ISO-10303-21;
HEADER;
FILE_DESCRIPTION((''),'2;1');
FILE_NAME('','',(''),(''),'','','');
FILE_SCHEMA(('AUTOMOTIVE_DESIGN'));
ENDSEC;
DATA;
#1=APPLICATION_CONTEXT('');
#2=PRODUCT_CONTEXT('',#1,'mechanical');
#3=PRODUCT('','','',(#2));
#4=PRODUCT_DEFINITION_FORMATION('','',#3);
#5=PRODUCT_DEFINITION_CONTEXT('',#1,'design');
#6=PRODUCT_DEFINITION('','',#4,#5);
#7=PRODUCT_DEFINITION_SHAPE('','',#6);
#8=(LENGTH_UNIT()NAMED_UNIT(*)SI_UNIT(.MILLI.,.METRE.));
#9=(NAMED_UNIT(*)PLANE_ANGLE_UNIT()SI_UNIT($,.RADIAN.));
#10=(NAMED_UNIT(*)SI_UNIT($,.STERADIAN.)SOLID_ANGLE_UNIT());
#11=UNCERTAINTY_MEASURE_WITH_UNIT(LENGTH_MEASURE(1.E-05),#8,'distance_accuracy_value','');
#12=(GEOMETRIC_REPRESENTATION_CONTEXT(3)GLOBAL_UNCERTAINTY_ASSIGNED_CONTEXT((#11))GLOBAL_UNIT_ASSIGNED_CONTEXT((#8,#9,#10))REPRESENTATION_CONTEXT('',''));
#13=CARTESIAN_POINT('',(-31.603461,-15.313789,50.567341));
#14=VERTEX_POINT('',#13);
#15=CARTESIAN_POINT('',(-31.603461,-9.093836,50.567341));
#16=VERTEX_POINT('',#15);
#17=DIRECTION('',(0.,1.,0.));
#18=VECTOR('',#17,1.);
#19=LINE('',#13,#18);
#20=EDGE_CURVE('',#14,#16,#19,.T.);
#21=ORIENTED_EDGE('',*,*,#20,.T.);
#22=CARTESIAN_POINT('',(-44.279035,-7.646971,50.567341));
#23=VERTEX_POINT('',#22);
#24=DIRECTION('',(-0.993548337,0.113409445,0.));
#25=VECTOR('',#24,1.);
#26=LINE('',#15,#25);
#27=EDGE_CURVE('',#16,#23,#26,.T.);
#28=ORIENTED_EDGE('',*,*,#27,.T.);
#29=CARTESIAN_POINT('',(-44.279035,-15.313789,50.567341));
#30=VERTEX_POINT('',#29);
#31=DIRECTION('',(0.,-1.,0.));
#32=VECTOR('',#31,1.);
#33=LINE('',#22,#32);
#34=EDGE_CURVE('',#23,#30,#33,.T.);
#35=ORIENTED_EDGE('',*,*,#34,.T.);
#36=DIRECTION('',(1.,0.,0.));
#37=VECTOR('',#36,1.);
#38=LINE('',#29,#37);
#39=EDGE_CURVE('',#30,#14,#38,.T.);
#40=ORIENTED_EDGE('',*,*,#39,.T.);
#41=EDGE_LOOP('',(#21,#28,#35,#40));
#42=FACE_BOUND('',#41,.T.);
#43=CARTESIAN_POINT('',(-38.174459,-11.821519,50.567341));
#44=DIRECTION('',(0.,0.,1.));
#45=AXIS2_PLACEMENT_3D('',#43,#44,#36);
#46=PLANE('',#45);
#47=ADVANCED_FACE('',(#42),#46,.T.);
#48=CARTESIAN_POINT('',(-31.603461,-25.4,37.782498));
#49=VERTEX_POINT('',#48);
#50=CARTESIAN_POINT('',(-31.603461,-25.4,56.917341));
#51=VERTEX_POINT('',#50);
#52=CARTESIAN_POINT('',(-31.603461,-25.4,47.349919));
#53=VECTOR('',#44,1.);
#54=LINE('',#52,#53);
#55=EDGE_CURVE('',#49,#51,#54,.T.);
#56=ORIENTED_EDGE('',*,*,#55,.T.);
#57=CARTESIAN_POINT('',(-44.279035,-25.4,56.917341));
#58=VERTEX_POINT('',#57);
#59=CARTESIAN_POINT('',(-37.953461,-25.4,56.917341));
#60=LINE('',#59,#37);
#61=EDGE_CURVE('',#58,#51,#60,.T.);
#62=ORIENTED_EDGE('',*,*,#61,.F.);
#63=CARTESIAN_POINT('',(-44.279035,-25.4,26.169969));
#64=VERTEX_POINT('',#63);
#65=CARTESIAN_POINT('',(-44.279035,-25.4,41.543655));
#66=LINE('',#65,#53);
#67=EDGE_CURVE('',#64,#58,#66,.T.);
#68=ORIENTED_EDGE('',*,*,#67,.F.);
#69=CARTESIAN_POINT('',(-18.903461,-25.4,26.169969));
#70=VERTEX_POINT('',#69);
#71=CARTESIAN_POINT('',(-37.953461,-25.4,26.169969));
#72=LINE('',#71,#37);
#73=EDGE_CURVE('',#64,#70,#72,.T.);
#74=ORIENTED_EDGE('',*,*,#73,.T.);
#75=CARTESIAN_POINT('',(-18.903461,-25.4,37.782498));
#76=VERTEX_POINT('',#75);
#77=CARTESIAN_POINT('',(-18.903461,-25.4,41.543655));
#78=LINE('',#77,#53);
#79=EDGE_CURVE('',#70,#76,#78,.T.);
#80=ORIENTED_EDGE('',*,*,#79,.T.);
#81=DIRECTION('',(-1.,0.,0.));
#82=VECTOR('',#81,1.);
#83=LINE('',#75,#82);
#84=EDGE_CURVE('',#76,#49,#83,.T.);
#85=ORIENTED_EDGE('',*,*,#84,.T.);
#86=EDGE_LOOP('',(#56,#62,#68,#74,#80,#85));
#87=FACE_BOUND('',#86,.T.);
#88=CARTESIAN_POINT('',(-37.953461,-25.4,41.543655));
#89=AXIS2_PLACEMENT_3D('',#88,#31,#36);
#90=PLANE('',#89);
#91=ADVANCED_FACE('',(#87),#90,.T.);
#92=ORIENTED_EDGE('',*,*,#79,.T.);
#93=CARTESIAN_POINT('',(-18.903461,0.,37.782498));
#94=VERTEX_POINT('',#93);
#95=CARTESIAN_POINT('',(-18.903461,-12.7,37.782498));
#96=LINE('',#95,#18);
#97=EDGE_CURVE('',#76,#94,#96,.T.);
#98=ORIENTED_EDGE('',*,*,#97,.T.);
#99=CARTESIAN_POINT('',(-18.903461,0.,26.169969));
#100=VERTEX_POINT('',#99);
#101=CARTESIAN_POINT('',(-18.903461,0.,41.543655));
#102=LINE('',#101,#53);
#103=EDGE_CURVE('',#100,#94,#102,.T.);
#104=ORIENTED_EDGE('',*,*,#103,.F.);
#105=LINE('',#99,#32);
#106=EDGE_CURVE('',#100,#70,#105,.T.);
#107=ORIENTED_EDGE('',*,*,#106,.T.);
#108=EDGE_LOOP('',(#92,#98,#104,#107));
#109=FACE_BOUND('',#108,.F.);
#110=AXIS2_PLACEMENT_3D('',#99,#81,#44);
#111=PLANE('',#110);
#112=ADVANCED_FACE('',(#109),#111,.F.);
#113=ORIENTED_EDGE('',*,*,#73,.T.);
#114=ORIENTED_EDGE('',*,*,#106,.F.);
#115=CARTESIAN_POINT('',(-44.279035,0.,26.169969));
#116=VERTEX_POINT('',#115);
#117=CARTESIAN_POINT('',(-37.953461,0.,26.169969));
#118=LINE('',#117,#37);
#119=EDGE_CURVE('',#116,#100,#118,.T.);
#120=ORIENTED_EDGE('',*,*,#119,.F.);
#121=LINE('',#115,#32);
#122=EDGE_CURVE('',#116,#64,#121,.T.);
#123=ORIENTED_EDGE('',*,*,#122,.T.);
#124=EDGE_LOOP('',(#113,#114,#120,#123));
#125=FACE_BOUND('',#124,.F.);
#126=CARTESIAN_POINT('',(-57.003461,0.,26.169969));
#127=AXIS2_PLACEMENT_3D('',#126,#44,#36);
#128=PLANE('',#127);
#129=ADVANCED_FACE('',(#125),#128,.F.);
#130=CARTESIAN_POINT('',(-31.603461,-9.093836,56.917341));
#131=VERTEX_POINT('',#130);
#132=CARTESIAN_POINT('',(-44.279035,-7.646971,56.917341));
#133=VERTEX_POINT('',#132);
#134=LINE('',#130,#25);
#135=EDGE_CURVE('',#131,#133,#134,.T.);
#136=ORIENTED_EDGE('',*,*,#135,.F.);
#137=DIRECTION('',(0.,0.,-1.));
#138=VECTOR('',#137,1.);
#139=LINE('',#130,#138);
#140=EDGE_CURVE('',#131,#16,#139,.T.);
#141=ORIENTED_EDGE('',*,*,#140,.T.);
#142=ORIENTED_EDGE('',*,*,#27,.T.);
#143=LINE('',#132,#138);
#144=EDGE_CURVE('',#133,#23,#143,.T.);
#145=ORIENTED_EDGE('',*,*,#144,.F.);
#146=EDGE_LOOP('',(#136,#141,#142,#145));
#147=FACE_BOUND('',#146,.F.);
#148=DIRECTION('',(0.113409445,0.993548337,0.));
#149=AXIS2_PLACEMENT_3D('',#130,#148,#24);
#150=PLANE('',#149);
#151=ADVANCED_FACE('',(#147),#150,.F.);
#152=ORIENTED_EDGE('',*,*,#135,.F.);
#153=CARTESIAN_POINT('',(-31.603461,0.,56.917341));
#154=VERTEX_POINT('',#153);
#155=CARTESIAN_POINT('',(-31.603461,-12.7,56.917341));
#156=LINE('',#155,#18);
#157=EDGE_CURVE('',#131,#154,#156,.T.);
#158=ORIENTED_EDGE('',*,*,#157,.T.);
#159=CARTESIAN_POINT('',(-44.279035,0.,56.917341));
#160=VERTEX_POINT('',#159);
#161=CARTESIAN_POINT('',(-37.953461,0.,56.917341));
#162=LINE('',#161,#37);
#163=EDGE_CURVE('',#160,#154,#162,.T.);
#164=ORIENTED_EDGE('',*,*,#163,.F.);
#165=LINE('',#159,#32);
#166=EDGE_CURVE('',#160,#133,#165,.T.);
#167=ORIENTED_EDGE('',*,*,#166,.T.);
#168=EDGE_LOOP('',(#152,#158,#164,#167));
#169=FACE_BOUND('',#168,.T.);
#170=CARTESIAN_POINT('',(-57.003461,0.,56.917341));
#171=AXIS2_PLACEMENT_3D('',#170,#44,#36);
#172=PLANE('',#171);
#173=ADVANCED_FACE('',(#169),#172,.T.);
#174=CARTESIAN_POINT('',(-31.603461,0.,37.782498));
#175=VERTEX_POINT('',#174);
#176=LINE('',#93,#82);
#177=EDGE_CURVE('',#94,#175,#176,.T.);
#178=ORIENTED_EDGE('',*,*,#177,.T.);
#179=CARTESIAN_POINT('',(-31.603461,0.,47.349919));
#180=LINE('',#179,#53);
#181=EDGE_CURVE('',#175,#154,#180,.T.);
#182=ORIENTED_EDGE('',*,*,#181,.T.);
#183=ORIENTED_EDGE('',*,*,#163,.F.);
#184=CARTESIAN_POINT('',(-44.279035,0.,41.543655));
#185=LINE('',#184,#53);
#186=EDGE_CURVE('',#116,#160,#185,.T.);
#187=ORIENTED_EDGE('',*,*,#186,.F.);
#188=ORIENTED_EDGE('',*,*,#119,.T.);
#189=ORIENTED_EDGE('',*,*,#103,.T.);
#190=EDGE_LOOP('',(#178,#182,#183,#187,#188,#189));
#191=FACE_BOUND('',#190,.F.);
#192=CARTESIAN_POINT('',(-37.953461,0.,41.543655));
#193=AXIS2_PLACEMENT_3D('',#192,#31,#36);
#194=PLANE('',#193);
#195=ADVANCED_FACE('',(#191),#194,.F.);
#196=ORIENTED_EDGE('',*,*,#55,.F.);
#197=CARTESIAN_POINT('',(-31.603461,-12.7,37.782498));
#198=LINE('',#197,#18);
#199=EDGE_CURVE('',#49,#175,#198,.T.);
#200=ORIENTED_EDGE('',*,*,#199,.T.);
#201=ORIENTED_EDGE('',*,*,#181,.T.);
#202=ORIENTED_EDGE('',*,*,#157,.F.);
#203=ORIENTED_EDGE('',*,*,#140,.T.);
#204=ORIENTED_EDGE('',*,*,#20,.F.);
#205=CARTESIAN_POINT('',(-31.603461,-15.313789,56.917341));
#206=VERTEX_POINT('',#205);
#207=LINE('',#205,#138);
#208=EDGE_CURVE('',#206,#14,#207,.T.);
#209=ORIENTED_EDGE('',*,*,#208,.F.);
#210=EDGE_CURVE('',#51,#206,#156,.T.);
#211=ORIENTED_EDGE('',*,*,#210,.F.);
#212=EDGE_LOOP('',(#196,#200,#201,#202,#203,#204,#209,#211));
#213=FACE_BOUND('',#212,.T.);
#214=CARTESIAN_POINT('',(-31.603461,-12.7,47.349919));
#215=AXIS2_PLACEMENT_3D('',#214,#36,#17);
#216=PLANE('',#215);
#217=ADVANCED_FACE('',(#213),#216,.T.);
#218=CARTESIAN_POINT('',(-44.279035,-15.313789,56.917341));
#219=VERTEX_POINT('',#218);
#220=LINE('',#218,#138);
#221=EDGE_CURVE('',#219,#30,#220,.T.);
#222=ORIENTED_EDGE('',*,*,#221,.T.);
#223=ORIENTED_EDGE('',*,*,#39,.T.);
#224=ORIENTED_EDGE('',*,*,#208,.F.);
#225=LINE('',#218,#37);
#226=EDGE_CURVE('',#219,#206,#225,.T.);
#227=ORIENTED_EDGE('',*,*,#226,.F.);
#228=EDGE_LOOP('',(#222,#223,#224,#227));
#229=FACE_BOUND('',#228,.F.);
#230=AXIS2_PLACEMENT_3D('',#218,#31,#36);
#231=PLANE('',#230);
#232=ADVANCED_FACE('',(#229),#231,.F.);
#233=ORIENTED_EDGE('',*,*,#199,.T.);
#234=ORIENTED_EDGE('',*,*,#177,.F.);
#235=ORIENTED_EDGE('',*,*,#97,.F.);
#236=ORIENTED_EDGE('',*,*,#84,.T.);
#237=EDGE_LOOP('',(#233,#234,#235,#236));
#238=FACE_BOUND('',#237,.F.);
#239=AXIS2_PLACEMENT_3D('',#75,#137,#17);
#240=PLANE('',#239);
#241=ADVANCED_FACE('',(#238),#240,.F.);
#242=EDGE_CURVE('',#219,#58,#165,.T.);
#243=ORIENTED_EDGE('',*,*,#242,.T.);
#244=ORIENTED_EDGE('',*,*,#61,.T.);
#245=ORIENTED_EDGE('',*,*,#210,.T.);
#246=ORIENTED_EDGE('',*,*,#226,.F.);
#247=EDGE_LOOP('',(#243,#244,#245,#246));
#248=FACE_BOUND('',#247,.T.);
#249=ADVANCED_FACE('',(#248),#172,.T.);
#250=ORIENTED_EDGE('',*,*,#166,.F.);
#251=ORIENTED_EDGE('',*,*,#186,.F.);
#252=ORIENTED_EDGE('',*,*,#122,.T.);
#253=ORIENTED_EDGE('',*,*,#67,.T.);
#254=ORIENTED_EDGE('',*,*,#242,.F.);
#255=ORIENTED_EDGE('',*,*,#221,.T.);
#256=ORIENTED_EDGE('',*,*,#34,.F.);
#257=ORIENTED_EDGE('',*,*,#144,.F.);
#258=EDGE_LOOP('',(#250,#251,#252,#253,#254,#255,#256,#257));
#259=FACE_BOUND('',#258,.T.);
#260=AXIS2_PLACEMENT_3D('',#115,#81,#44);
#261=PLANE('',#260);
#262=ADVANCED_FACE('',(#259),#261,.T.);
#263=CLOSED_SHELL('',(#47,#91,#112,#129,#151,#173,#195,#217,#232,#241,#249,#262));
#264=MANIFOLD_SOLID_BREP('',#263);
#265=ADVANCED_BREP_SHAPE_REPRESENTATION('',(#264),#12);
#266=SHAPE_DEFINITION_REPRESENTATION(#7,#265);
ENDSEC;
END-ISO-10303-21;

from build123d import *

# Parameters (mm, degrees)
F0_W     = 38.1
F0_H     = 30.7473719984
F1_DEPTH = 25.4
F2_W     = 25.4
F2_H     = 19.1348433927
F3_DEPTH = 12.7
F4_W     = 12.7244254082
F4_H     = 30.7473719984
F5_DEPTH = 25.4
F7_DEPTH = 6.35


with BuildPart() as f1:
    # F0 (on Front) → F1 (new body)
    with BuildSketch(Plane.XZ):
        with Locations((-37.9534605891, 41.5436550975)):
            Rectangle(F0_W, F0_H)
    extrude(amount=F1_DEPTH)

    # F2 (on face) → F3 (cut)
    with BuildSketch(Plane.YZ.offset(-18.9034605891)):
        with Locations((-12.7, 47.3499194004)):
            Rectangle(F2_W, F2_H)
    extrude(amount=-F3_DEPTH, mode=Mode.SUBTRACT)

    # F4 (on face) → F5 (cut)
    with BuildSketch(Plane(origin=(0, 0, 0), x_dir=(-1, 0, 0), z_dir=(0, 1, 0))):
        with Locations((50.6412478849, 41.5436550975)):
            Rectangle(F4_W, F4_H)
    extrude(amount=-F5_DEPTH, mode=Mode.SUBTRACT)

    # F6 (on face) → F7 (cut)
    with BuildSketch(Plane.XY.offset(56.9173410967)):
        Polygon((-44.2790351808, -7.6469713822), (-44.2790351808, -15.3137892485), (-31.6034605891, -15.3137892485), (-31.6034605891, -9.0938359499), align=None)
    extrude(amount=-F7_DEPTH, mode=Mode.SUBTRACT)


solid = f1.part
